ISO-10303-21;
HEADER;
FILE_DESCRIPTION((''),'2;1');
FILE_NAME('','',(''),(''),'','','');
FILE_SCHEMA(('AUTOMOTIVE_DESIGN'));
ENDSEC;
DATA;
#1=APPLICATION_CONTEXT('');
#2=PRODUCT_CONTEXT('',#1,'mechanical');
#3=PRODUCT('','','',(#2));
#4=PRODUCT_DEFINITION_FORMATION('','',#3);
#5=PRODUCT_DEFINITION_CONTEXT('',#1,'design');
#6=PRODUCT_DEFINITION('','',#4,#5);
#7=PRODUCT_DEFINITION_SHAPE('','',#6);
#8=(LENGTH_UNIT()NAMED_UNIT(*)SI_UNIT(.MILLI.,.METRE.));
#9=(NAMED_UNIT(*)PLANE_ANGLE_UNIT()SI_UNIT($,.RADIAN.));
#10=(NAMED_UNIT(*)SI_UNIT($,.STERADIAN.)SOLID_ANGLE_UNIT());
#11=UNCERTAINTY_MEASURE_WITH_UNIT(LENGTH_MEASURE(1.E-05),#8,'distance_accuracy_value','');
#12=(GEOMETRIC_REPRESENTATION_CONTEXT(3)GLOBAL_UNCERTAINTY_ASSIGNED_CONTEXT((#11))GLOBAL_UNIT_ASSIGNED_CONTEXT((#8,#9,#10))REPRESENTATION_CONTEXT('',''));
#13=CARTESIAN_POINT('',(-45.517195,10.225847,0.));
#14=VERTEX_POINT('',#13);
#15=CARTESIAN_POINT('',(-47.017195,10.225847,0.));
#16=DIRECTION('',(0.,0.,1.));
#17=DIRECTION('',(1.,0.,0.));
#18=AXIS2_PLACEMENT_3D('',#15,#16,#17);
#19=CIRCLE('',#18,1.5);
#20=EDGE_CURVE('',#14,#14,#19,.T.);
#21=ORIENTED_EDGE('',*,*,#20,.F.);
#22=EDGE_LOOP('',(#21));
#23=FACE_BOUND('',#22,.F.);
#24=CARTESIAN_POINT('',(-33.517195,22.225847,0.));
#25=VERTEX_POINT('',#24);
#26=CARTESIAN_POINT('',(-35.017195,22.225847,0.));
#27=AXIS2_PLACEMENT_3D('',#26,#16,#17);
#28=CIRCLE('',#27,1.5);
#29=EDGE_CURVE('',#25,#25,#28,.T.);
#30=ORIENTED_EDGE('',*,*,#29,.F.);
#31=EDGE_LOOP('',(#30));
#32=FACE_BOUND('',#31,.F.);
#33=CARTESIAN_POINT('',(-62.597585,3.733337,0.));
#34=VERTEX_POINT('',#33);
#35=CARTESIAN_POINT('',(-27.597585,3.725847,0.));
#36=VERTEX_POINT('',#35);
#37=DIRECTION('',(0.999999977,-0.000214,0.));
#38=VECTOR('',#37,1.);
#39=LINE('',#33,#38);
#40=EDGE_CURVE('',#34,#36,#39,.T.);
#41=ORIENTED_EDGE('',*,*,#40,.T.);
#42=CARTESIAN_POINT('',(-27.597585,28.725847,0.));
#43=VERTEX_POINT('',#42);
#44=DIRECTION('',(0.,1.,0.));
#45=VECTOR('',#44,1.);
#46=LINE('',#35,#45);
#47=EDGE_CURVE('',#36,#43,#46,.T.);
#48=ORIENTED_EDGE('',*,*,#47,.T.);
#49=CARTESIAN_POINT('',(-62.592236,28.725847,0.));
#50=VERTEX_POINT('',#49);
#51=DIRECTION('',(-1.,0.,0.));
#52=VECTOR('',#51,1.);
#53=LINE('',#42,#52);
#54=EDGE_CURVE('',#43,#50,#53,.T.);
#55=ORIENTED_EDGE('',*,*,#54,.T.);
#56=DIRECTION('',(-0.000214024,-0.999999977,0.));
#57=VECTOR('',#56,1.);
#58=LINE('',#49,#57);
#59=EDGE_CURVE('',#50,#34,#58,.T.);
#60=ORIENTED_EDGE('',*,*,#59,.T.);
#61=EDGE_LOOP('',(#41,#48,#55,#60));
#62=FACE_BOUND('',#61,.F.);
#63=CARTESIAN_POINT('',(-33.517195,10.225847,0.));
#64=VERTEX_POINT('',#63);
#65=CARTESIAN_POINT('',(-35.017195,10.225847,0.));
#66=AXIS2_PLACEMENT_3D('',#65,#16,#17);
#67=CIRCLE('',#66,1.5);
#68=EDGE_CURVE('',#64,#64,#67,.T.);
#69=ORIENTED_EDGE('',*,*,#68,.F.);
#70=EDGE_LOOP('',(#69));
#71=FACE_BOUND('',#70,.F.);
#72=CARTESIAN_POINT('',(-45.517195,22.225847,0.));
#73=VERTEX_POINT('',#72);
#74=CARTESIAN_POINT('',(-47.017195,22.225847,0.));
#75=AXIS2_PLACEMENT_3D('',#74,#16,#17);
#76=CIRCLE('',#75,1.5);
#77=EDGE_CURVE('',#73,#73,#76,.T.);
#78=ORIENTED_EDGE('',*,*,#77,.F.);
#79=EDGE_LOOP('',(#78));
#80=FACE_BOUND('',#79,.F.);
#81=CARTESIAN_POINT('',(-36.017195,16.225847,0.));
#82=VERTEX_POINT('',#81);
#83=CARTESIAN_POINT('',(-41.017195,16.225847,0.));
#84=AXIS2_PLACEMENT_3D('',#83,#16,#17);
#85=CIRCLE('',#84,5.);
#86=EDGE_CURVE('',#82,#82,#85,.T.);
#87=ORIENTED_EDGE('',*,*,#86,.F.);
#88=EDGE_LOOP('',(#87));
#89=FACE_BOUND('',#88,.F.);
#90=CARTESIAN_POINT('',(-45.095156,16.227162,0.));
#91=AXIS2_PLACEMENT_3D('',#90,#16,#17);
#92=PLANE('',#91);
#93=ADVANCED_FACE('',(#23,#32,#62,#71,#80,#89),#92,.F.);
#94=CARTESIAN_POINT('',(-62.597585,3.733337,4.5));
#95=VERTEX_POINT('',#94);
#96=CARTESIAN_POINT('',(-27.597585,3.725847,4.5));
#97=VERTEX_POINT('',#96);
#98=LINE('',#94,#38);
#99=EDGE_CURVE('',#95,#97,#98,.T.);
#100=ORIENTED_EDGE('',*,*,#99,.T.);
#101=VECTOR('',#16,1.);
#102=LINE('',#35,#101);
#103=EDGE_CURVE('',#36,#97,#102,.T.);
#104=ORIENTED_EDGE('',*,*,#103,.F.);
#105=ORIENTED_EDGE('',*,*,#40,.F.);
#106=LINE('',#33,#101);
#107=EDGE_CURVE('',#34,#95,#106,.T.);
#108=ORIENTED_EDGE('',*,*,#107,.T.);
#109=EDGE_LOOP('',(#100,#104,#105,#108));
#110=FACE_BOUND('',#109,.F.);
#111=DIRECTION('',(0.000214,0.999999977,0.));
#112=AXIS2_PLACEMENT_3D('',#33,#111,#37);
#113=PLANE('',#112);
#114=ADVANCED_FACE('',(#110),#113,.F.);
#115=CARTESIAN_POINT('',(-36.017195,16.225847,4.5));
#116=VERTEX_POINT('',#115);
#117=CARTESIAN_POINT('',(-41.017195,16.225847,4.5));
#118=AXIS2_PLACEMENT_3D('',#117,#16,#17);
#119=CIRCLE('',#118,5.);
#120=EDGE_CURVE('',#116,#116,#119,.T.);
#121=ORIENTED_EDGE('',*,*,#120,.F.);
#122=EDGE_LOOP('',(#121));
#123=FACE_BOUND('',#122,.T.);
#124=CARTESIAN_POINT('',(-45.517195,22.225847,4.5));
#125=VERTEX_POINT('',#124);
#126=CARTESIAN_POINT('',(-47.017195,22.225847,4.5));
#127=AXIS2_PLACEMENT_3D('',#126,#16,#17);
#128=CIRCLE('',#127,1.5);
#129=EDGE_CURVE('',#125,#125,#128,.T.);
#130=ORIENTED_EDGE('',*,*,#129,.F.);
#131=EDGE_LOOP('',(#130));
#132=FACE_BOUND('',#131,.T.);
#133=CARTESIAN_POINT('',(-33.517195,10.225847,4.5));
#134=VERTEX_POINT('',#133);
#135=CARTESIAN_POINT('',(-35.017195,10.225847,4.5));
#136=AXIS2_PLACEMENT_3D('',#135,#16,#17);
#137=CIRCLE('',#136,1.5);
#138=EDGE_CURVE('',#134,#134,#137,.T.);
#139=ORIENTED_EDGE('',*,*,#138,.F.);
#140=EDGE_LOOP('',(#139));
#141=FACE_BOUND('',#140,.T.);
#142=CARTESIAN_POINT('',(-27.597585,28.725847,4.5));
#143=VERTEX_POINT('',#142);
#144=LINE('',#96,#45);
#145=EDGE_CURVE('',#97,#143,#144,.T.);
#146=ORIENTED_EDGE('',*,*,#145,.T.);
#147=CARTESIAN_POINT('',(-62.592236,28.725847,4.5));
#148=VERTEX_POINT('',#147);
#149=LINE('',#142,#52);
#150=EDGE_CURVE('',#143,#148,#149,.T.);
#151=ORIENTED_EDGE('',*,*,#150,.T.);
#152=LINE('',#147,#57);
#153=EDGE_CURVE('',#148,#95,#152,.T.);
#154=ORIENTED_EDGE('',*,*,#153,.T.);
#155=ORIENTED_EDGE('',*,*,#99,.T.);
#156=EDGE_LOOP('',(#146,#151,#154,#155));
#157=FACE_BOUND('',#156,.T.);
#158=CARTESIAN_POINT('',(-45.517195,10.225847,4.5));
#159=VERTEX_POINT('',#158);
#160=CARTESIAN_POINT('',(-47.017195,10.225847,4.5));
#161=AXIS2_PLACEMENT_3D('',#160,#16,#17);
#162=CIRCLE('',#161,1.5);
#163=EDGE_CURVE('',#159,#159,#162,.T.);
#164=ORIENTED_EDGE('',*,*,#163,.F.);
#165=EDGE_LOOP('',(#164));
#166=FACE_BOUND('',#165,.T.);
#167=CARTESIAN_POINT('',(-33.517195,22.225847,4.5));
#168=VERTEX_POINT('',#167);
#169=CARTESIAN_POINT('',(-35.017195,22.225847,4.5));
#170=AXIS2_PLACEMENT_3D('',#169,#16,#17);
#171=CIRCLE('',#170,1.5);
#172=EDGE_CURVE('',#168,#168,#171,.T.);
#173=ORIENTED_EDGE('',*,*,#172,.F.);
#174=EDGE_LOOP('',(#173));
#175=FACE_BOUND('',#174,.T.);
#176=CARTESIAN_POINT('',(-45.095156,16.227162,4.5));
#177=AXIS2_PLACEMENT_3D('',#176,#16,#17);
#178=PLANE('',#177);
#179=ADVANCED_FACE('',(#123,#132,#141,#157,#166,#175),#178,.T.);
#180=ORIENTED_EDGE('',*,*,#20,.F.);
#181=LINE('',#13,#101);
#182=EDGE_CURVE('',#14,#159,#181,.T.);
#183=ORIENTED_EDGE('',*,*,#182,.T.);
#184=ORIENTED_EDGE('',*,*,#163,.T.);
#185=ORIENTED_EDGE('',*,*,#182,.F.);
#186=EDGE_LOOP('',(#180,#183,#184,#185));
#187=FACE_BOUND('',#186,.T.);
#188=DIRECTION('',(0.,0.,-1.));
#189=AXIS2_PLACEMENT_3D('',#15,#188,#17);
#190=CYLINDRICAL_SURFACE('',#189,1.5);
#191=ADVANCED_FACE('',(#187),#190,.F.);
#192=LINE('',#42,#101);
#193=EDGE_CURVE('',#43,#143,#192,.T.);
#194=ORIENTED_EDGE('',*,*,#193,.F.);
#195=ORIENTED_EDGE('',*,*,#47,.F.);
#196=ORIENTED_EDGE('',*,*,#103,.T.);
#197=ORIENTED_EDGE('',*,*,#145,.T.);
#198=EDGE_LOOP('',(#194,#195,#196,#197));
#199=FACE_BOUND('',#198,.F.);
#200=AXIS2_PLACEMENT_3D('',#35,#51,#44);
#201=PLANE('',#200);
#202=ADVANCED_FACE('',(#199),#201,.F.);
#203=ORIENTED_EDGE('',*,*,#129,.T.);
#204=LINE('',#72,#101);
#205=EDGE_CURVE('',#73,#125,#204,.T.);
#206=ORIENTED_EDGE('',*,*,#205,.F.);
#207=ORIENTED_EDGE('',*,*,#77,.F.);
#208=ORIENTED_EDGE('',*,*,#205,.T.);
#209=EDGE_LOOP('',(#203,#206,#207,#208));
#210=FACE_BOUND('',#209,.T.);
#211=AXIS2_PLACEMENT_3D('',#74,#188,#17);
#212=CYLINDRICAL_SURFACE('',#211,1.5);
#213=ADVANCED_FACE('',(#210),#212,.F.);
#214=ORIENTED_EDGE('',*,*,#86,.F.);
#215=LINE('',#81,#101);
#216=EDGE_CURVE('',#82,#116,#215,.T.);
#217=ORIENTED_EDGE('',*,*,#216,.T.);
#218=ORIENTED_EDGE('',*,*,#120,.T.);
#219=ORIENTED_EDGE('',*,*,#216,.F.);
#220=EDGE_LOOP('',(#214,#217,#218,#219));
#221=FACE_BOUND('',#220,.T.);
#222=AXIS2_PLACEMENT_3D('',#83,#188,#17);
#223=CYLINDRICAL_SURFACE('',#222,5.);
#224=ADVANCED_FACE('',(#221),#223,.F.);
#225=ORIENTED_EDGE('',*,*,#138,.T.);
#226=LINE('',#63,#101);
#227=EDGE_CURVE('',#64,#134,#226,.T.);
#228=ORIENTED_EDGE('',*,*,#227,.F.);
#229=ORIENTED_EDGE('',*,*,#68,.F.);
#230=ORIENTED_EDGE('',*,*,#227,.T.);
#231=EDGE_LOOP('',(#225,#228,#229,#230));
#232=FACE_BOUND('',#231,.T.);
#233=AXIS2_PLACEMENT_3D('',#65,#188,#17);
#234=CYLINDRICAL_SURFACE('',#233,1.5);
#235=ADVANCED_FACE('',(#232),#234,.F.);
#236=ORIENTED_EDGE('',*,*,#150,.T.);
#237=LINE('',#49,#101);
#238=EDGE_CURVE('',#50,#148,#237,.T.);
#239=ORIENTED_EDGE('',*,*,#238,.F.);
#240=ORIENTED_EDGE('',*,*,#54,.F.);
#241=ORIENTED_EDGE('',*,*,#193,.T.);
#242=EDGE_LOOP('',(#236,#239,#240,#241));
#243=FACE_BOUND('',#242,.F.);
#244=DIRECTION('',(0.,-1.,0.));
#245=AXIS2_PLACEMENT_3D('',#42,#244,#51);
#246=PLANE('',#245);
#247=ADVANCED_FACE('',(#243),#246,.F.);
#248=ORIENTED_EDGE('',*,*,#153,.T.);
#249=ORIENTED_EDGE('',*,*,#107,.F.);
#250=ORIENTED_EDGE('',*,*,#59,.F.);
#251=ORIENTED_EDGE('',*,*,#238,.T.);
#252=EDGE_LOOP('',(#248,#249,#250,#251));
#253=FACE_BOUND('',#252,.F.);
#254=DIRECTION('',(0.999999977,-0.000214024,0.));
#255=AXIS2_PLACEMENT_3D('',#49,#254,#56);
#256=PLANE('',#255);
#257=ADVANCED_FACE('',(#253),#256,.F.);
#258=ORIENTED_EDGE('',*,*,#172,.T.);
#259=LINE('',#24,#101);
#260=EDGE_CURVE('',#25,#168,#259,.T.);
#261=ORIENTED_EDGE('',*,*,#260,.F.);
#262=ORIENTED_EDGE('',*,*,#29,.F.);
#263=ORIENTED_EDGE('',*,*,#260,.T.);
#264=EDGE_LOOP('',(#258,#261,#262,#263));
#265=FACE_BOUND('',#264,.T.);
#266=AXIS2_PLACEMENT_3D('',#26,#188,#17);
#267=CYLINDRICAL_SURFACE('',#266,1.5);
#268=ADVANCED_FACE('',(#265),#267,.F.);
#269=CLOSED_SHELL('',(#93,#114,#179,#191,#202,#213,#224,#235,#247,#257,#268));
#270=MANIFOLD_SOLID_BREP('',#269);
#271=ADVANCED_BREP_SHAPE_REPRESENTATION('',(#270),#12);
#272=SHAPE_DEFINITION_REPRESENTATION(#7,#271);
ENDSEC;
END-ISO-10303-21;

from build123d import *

# Parameters (mm, degrees)
F0_R     = 1.5
F0_R_2   = 5
F1_DEPTH = 4.5


with BuildPart() as f1:
    # F0 (on Top) → F1 (new body)
    with BuildSketch(Plane.XY):
        Polygon((-27.597585, 28.725847), (-62.592236, 28.725847), (-62.597585, 3.733337), (-27.597585, 3.725847), align=None)
        with Locations((-47.017195, 10.225847)):
            Circle(F0_R, mode=Mode.SUBTRACT)
        with Locations((-41.017195, 16.225847)):
            Circle(F0_R_2, mode=Mode.SUBTRACT)
        with Locations((-35.017195, 10.225847)):
            Circle(F0_R, mode=Mode.SUBTRACT)
        with Locations((-47.017195, 22.225847)):
            Circle(F0_R, mode=Mode.SUBTRACT)
        with Locations((-35.017195, 22.225847)):
            Circle(F0_R, mode=Mode.SUBTRACT)
    extrude(amount=F1_DEPTH)


solid = f1.part
